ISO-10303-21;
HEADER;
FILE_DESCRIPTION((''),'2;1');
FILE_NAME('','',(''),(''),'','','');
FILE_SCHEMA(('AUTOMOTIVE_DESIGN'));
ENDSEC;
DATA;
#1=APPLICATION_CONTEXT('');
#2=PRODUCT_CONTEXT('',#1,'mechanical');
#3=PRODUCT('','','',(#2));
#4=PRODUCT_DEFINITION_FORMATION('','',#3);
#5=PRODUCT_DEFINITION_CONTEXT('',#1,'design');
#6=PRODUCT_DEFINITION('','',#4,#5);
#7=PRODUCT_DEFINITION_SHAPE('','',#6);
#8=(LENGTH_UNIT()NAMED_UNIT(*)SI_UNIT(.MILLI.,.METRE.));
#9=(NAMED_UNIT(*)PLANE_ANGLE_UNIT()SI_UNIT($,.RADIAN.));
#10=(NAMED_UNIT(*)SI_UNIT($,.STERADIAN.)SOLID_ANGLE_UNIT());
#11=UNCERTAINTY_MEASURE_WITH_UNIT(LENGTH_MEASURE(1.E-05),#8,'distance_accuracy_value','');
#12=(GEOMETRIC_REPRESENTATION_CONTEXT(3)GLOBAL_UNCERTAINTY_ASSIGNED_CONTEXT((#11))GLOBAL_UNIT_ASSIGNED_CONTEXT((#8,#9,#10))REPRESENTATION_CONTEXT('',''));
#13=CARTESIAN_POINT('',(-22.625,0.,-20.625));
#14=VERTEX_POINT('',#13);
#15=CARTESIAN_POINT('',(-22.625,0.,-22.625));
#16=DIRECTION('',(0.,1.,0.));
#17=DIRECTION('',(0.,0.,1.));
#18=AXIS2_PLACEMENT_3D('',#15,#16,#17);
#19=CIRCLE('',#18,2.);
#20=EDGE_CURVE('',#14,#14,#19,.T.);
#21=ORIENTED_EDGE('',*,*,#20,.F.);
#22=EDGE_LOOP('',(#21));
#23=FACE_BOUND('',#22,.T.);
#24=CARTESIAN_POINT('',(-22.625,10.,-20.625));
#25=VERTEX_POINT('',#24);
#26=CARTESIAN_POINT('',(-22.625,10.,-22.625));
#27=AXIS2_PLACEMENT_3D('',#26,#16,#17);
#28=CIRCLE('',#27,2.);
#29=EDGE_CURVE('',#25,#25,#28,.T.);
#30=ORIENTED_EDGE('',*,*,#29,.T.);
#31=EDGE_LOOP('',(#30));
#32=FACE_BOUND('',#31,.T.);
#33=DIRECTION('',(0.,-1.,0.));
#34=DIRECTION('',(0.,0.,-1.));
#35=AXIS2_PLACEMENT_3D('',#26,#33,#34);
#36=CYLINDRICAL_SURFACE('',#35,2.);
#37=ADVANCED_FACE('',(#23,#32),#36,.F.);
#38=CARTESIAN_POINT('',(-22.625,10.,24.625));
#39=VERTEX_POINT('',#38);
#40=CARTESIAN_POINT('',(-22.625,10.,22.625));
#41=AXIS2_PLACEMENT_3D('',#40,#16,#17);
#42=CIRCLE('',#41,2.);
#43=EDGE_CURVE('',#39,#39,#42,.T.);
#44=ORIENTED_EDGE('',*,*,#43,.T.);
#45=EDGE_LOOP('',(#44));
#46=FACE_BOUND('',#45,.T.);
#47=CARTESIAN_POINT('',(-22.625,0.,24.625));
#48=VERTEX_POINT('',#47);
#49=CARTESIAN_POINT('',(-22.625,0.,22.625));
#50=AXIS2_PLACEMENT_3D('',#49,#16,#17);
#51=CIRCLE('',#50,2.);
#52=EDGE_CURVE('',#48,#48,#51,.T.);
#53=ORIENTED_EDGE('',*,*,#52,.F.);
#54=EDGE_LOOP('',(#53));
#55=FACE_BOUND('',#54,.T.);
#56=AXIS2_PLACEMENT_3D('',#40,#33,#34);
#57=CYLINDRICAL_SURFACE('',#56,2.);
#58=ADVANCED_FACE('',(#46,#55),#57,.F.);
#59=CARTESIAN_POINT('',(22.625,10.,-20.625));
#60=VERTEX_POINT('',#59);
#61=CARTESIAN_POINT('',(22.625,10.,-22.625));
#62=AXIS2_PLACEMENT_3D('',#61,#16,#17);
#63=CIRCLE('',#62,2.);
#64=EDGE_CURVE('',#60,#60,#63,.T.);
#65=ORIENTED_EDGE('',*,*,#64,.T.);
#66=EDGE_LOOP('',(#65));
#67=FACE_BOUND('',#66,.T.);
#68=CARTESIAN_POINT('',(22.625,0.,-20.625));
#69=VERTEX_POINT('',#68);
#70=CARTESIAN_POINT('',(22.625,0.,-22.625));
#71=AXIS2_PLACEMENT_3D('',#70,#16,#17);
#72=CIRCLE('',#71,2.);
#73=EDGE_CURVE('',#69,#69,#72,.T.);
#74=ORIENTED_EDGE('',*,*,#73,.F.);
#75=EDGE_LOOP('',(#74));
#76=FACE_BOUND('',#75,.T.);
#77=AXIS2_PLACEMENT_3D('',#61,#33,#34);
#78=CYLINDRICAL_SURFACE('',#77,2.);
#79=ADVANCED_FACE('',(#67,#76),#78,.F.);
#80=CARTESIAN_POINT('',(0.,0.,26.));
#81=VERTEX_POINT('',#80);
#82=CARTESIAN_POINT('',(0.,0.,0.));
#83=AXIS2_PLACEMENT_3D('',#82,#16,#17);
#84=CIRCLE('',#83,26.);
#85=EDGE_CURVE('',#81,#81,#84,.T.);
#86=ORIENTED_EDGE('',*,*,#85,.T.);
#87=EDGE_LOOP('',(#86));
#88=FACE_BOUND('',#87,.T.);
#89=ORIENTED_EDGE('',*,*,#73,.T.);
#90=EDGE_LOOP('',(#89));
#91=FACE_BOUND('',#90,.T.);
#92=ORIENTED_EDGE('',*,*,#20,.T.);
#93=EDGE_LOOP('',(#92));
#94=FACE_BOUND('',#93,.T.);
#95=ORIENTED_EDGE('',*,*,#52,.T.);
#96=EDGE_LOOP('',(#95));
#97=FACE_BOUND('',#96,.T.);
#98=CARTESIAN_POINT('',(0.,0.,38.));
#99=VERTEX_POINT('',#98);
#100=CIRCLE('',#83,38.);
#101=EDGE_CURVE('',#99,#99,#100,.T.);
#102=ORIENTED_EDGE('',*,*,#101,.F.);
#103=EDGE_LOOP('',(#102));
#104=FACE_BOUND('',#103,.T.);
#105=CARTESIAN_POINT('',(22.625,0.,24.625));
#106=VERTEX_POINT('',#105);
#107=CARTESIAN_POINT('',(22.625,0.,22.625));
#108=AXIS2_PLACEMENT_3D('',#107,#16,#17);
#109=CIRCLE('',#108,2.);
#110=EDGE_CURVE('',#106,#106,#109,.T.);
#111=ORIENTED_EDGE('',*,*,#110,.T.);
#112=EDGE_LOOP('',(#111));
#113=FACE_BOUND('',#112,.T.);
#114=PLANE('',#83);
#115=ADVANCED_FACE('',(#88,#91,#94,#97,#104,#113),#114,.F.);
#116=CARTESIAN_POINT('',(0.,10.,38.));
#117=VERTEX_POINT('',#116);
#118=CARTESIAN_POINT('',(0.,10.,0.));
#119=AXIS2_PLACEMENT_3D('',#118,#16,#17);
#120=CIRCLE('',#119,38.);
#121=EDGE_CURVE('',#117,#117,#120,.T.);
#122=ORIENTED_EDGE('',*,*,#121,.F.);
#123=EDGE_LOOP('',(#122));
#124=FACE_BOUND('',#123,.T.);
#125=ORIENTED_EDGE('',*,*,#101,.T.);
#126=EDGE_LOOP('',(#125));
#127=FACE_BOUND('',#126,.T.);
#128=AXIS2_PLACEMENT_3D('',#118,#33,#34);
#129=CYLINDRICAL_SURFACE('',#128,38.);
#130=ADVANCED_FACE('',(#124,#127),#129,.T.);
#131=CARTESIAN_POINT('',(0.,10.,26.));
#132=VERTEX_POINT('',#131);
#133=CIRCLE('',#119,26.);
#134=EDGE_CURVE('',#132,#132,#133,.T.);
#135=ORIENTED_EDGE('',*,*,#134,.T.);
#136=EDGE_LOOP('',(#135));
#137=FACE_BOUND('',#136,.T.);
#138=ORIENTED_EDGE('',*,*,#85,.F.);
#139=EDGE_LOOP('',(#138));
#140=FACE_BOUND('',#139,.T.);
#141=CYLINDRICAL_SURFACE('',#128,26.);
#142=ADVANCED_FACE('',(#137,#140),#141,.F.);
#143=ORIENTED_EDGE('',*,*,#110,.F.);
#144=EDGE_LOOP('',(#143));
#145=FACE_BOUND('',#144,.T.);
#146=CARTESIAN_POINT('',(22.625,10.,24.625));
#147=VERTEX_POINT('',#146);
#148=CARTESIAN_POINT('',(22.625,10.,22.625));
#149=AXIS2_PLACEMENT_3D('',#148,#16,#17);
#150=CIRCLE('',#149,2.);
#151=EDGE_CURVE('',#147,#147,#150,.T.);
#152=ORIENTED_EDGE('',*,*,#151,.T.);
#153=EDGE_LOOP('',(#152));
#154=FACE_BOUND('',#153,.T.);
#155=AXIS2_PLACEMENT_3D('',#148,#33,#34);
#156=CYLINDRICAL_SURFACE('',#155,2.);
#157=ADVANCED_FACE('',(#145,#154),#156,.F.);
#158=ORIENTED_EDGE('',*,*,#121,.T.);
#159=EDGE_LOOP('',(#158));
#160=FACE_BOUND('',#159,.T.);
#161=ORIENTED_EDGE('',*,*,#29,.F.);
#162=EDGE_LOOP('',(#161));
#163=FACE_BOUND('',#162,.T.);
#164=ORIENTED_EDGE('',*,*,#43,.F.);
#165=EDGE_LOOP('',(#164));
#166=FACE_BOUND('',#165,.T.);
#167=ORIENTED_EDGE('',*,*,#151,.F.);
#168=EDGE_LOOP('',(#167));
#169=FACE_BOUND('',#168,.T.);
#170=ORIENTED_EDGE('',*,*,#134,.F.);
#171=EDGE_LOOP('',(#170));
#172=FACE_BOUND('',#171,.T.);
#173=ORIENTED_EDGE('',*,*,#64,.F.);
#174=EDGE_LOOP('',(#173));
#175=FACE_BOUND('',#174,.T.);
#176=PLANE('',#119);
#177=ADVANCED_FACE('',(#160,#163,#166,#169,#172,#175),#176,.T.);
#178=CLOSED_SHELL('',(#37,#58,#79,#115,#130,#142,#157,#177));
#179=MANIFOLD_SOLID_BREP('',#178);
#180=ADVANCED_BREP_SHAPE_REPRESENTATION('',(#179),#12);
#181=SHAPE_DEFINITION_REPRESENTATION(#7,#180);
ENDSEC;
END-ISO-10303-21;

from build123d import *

# Parameters (mm, degrees)
SKETCH1_R           = 38
SKETCH1_R_2         = 26
SKETCH1_R_3         = 2
BOSS_EXTRUDE1_DEPTH = 10


with BuildPart() as part:
    # Sketch1 → Boss-Extrude1 (new body)
    with BuildSketch(Plane(origin=(0, 0, 0), x_dir=(1, 0, 0), z_dir=(0, 1, 0))):
        with Locations(Location((0, 0, 0), (0, 0, 270))):
            Circle(SKETCH1_R)
        with Locations(Location((0, 0, 0), (0, 0, 270))):
            Circle(SKETCH1_R_2, mode=Mode.SUBTRACT)
        with Locations(Location((-22.625, 22.625, 0), (0, 0, 270))):
            Circle(SKETCH1_R_3, mode=Mode.SUBTRACT)
        with Locations(Location((22.625, 22.625, 0), (0, 0, 270))):
            Circle(SKETCH1_R_3, mode=Mode.SUBTRACT)
        with Locations(Location((22.625, -22.625, 0), (0, 0, 270))):
            Circle(SKETCH1_R_3, mode=Mode.SUBTRACT)
        with Locations(Location((-22.625, -22.625, 0), (0, 0, 270))):
            Circle(SKETCH1_R_3, mode=Mode.SUBTRACT)
    extrude(amount=BOSS_EXTRUDE1_DEPTH)


solid = part.part
